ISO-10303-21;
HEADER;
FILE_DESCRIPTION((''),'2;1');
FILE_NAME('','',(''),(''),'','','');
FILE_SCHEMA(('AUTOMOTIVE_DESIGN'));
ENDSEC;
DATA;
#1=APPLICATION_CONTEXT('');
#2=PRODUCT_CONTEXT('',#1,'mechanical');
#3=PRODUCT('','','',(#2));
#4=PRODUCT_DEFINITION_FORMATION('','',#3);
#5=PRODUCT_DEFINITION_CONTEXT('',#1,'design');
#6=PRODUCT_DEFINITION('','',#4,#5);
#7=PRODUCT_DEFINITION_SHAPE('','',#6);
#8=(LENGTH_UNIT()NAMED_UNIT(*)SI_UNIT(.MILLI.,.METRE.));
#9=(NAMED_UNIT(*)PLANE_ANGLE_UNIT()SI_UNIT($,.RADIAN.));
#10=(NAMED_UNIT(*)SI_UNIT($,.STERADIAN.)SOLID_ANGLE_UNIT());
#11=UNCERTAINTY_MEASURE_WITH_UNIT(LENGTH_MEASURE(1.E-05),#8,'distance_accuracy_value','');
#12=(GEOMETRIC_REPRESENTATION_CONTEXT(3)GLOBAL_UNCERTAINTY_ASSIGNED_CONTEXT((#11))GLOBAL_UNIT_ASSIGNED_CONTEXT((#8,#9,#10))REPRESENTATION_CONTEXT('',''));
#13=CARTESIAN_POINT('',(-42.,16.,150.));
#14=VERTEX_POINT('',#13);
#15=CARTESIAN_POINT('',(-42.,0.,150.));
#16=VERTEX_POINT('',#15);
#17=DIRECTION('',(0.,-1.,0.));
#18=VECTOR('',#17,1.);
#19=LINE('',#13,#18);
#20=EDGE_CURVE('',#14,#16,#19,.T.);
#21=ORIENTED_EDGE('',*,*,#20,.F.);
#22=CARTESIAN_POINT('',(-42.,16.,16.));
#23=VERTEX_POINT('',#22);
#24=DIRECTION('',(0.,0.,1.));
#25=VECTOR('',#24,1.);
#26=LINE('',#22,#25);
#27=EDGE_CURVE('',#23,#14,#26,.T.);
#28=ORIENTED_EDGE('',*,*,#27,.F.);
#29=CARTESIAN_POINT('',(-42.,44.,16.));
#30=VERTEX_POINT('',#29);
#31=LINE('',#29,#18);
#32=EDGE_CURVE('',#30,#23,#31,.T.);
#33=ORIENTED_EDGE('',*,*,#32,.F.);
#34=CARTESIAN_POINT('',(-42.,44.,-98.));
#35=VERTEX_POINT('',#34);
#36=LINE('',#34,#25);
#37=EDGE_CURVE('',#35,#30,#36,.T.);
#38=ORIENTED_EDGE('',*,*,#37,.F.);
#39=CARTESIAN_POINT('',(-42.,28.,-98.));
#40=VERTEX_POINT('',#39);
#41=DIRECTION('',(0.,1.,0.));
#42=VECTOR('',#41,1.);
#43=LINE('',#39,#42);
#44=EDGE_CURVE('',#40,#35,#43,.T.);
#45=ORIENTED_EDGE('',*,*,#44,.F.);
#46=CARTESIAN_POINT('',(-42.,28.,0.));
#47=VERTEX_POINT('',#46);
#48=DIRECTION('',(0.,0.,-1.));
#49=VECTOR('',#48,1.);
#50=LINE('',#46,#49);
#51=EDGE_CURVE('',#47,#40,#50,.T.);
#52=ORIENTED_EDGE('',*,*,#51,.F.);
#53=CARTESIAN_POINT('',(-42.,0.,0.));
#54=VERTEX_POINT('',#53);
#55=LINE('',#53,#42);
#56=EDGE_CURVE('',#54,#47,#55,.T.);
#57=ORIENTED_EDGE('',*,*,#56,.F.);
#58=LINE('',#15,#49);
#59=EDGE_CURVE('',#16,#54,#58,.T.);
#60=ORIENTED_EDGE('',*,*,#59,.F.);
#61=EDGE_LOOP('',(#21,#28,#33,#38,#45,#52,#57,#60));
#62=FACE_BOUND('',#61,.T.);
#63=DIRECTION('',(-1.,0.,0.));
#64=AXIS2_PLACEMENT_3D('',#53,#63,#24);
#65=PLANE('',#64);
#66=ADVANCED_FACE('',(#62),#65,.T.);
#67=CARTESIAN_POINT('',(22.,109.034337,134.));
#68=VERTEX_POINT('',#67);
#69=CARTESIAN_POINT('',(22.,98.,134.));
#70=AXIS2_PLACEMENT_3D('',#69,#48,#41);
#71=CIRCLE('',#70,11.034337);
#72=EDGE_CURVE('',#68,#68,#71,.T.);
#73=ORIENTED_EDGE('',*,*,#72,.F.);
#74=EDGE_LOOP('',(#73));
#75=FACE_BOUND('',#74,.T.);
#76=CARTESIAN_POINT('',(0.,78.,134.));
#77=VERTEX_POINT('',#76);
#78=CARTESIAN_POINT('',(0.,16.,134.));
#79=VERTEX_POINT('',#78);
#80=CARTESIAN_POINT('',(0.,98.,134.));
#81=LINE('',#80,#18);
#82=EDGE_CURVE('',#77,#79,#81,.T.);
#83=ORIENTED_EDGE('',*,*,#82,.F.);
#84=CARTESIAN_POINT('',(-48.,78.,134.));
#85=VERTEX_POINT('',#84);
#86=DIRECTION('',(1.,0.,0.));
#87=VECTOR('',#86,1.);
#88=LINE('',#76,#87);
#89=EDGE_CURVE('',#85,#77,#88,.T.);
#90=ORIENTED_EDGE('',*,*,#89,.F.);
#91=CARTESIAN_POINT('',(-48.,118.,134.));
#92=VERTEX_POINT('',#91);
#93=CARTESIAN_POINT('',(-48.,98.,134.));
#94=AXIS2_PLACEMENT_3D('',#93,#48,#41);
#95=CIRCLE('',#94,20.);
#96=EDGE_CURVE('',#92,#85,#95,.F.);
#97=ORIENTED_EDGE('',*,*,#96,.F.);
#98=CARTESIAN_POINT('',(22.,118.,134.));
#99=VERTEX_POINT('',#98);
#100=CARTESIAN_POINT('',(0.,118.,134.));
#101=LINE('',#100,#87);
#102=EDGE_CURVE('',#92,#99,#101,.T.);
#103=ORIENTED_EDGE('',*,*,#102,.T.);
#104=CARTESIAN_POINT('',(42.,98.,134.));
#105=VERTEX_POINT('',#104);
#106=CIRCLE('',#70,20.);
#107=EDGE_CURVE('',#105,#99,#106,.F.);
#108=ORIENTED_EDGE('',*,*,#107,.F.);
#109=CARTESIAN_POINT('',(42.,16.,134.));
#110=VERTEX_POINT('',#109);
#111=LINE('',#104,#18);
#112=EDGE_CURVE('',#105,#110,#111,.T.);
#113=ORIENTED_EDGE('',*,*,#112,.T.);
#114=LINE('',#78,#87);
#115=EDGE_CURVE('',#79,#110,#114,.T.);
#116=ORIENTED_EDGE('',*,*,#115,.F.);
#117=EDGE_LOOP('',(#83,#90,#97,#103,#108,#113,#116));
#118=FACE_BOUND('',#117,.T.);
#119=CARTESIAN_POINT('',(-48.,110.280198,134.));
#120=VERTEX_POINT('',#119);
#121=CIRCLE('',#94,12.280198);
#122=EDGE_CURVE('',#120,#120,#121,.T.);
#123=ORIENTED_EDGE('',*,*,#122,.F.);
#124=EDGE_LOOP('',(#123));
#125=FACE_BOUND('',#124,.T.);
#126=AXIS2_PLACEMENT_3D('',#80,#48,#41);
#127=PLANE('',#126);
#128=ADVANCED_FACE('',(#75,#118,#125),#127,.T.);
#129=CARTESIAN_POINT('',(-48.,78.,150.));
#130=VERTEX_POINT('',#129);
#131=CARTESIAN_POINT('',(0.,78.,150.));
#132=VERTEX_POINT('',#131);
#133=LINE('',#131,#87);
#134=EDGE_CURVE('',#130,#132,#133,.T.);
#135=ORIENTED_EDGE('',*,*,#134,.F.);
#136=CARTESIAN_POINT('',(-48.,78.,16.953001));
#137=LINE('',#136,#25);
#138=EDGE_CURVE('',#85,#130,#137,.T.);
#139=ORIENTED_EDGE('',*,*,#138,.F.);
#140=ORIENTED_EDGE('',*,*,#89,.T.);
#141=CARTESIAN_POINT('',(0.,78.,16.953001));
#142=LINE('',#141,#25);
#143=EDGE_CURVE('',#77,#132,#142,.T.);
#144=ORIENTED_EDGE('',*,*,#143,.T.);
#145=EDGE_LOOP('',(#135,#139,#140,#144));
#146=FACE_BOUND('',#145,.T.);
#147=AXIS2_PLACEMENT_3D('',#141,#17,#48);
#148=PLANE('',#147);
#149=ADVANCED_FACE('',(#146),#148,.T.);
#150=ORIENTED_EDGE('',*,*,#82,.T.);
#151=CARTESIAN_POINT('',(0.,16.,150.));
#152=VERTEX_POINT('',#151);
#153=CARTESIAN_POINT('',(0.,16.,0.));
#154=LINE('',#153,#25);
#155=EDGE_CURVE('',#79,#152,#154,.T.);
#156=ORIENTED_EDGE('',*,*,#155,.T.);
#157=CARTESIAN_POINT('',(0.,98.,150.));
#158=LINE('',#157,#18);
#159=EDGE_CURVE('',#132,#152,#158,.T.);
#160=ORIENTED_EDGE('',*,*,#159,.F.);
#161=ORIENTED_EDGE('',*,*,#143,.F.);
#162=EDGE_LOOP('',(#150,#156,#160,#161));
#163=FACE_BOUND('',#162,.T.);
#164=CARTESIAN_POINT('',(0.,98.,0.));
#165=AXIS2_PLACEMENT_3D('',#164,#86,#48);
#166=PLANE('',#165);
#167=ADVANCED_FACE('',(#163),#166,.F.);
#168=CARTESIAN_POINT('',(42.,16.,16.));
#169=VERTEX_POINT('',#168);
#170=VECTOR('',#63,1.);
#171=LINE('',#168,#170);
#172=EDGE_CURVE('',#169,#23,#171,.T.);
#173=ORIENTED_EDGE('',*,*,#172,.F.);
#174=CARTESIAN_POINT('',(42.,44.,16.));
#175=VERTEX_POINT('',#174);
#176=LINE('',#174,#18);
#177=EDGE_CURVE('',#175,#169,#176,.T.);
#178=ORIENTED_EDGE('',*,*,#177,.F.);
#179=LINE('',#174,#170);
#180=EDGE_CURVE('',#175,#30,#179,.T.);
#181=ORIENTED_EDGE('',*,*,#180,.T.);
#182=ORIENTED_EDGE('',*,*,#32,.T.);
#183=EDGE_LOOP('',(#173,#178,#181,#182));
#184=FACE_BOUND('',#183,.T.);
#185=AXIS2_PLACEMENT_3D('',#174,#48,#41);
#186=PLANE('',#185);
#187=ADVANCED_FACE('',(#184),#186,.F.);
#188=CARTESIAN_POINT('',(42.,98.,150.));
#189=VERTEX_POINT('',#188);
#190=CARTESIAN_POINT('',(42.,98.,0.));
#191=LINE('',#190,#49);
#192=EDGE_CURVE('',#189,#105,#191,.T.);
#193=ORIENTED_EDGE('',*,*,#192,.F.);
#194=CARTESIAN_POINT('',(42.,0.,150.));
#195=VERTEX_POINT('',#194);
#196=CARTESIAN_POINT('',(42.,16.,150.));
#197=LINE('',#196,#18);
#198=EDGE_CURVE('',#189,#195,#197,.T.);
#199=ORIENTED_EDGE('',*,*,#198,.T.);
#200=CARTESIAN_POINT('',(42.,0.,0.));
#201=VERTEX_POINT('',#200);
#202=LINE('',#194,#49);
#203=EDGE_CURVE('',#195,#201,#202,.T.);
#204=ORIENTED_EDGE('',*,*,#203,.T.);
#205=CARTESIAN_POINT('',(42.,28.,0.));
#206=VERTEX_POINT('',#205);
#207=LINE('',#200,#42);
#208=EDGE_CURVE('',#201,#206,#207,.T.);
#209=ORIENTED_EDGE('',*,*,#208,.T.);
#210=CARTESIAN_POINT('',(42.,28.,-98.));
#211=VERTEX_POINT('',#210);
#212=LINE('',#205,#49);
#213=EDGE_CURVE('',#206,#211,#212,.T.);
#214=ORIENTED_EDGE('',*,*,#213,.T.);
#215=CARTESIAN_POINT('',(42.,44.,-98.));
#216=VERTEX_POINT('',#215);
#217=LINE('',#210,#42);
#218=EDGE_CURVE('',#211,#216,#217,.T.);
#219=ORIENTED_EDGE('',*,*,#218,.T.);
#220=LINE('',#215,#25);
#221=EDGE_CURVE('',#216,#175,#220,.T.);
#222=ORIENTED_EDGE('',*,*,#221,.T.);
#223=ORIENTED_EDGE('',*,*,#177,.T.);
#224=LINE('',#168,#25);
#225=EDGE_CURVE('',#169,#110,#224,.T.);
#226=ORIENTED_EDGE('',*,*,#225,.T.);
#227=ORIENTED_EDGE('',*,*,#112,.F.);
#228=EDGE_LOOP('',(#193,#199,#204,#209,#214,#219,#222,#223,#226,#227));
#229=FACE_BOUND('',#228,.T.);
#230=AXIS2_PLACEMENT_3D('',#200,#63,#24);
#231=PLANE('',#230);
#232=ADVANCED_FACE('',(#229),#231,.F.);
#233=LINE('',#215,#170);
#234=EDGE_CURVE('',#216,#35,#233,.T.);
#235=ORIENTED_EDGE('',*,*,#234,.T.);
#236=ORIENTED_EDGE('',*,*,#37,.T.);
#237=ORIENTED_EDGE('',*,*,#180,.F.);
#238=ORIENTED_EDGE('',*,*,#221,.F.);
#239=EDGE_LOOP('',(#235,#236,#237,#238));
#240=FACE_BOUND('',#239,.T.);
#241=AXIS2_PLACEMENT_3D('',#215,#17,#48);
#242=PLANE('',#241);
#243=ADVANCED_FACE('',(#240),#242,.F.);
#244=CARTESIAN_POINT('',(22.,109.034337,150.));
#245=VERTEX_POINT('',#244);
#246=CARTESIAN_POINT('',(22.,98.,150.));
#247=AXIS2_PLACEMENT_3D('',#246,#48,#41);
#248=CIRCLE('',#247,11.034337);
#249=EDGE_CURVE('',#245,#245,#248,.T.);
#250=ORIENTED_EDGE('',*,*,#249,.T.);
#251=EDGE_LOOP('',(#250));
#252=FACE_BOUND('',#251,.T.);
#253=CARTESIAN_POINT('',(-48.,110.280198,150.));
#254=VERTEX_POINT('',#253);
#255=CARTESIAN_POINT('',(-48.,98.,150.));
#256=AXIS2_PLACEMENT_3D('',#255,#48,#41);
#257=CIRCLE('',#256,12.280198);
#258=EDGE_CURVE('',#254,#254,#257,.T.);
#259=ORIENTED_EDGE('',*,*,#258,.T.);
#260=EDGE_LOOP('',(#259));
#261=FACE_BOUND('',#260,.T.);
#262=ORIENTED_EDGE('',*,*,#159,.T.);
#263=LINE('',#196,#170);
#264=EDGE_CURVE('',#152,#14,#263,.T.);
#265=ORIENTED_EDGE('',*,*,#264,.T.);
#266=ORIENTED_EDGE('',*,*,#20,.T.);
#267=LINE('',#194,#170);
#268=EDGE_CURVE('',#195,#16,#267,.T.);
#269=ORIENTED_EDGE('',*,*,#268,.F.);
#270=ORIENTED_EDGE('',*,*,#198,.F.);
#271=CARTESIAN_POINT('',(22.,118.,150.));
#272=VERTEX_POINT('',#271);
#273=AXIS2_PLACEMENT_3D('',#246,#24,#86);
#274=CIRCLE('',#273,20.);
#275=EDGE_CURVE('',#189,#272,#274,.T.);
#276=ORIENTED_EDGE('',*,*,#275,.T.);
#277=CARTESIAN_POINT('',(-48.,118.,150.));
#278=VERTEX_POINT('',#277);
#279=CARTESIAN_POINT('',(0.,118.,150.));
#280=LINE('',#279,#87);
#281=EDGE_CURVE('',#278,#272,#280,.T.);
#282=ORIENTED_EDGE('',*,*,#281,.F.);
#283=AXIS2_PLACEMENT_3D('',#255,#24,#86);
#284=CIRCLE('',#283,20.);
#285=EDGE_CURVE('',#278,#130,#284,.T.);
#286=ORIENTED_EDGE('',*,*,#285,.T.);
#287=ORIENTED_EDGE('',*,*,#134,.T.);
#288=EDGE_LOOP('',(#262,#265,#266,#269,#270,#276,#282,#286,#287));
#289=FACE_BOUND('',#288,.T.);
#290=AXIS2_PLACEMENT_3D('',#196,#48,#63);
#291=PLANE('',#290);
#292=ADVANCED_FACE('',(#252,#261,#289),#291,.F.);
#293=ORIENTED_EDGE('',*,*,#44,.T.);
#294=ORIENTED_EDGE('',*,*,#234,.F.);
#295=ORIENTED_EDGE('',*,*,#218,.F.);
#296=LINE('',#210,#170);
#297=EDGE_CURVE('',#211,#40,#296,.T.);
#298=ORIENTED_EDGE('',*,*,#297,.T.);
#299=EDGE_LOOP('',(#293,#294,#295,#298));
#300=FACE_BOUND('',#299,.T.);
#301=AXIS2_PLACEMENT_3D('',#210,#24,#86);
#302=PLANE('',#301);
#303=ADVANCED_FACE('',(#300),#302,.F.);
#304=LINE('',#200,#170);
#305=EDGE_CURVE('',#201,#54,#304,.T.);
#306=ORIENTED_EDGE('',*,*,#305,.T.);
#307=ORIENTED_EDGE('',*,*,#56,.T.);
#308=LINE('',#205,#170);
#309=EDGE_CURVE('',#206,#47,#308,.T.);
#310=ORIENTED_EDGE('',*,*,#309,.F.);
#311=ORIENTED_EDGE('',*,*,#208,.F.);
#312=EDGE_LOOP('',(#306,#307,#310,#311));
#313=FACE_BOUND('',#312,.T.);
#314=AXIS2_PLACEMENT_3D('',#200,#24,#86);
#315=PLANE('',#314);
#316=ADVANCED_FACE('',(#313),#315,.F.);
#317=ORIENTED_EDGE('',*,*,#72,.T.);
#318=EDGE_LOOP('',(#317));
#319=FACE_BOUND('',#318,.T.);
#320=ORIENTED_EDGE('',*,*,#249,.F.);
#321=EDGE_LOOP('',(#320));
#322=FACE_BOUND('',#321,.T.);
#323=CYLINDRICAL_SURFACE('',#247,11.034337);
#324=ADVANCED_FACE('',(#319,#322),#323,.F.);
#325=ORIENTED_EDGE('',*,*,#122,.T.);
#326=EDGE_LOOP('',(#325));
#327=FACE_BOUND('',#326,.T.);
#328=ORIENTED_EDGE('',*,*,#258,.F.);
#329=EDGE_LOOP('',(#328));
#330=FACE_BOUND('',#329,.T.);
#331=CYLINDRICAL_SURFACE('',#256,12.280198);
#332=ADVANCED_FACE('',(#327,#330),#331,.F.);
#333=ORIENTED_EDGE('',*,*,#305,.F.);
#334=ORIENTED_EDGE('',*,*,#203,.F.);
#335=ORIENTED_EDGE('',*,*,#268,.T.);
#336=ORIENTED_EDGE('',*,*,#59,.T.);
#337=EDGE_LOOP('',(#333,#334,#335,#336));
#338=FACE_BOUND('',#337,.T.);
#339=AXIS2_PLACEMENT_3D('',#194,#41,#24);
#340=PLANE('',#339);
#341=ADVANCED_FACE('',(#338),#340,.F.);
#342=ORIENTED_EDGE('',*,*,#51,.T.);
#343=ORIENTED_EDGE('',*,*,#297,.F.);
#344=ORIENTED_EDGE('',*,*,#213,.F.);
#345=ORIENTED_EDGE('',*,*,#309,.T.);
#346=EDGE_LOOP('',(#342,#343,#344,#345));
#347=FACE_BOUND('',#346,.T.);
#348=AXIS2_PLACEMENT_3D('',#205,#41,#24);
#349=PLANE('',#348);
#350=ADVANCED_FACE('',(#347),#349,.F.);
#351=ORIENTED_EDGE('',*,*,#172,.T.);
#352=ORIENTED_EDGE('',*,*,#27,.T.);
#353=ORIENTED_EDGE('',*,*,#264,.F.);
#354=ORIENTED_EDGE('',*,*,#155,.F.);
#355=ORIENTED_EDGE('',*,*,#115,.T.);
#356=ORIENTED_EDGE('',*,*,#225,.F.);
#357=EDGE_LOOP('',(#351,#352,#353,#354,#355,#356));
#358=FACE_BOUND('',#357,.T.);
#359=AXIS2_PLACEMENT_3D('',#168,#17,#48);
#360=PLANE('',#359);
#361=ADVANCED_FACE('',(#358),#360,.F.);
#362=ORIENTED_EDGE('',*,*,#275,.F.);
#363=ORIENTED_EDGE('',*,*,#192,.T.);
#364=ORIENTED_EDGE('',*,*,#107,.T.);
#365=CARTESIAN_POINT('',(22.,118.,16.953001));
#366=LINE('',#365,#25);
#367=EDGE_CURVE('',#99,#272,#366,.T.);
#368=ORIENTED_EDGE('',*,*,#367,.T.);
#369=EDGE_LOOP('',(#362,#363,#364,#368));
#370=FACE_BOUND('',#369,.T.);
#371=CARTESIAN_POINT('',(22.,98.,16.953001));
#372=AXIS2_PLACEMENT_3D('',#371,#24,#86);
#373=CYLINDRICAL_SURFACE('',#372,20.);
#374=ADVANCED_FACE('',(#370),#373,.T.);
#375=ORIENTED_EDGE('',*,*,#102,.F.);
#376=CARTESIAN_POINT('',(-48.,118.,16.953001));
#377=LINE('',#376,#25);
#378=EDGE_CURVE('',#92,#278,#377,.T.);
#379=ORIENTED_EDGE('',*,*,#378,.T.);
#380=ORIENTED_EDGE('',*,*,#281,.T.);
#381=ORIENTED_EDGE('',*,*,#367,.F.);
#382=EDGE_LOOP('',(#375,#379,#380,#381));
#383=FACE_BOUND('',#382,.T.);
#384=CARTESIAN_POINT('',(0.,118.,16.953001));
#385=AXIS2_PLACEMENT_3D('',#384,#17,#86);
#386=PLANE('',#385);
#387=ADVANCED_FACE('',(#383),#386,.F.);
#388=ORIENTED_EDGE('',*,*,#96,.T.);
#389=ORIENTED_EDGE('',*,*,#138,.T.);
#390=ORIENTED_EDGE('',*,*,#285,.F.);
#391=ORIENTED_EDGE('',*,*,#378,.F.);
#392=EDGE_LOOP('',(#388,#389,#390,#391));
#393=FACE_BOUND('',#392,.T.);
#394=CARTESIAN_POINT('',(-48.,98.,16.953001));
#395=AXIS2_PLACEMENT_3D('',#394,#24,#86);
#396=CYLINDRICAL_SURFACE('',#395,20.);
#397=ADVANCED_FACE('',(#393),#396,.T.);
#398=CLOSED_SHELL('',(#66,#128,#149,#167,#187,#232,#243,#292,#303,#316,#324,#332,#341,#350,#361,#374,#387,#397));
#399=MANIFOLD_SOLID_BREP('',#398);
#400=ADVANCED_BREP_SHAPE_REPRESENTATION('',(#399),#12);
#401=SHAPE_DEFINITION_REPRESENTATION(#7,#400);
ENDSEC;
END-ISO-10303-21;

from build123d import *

# Parameters (mm, degrees)
BOSS_EXTRUDE1_DEPTH     = 42
SKETCH11_W              = 42
SKETCH11_H              = 16
BOSS_EXTRUDE2_DEPTH     = 82
BOSS_EXTRUDE4_DEPTH     = 16
CUT_EXTRUDE2_DEPTH      = 270.02044532
CUT_EXTRUDE2_DEPTH_BACK = 270.02044532
SKETCH17_R              = 11.03433716
SKETCH17_R_2            = 12.280198215


with BuildPart() as part:
    # Sketch10 → Boss-Extrude1 (new, symmetric)
    with BuildSketch(Plane(origin=(0, 0, 0), x_dir=(0, 0, -1), z_dir=(1, 0, 0))):
        Polygon((-150, 0), (0, 0), (0, 28), (98, 28), (98, 44), (-16, 44), (-16, 16), (-150, 16), align=None)
    extrude(amount=BOSS_EXTRUDE1_DEPTH, both=True)

    # Sketch11 → Boss-Extrude2 (add)
    with BuildSketch(Plane(origin=(0, 16, 0), x_dir=(1, 0, 0), z_dir=(0, 1, 0))):
        with Locations((21, -142)):
            Rectangle(SKETCH11_W, SKETCH11_H)
    extrude(amount=BOSS_EXTRUDE2_DEPTH)

    # Sketch12 → Boss-Extrude4 (add)
    with BuildSketch(Plane.XY.offset(150)):
        with BuildLine():
            Line((-48, 118), (22, 118))
            ThreePointArc((22, 118), (42, 98), (22, 78))
            Line((22, 78), (-48, 78))
            ThreePointArc((-48, 78), (-68, 98), (-48, 118))
        make_face()
    extrude(amount=-BOSS_EXTRUDE4_DEPTH)

    # Sketch17 → Cut-Extrude2 (cut, two sides: drawn at the far end of the back side and taken through both)
    with BuildSketch(Plane(origin=(0, 0, 134), x_dir=(-1, 0, 0), z_dir=(0, 0, -1)).offset(-CUT_EXTRUDE2_DEPTH_BACK)):
        with Locations(Location((-22, 98, 0), (0, 0, 90))):
            Circle(SKETCH17_R)
        with Locations(Location((48, 98, 0), (0, 0, 90))):
            Circle(SKETCH17_R_2)
    extrude(amount=CUT_EXTRUDE2_DEPTH + CUT_EXTRUDE2_DEPTH_BACK, mode=Mode.SUBTRACT)


solid = part.part
